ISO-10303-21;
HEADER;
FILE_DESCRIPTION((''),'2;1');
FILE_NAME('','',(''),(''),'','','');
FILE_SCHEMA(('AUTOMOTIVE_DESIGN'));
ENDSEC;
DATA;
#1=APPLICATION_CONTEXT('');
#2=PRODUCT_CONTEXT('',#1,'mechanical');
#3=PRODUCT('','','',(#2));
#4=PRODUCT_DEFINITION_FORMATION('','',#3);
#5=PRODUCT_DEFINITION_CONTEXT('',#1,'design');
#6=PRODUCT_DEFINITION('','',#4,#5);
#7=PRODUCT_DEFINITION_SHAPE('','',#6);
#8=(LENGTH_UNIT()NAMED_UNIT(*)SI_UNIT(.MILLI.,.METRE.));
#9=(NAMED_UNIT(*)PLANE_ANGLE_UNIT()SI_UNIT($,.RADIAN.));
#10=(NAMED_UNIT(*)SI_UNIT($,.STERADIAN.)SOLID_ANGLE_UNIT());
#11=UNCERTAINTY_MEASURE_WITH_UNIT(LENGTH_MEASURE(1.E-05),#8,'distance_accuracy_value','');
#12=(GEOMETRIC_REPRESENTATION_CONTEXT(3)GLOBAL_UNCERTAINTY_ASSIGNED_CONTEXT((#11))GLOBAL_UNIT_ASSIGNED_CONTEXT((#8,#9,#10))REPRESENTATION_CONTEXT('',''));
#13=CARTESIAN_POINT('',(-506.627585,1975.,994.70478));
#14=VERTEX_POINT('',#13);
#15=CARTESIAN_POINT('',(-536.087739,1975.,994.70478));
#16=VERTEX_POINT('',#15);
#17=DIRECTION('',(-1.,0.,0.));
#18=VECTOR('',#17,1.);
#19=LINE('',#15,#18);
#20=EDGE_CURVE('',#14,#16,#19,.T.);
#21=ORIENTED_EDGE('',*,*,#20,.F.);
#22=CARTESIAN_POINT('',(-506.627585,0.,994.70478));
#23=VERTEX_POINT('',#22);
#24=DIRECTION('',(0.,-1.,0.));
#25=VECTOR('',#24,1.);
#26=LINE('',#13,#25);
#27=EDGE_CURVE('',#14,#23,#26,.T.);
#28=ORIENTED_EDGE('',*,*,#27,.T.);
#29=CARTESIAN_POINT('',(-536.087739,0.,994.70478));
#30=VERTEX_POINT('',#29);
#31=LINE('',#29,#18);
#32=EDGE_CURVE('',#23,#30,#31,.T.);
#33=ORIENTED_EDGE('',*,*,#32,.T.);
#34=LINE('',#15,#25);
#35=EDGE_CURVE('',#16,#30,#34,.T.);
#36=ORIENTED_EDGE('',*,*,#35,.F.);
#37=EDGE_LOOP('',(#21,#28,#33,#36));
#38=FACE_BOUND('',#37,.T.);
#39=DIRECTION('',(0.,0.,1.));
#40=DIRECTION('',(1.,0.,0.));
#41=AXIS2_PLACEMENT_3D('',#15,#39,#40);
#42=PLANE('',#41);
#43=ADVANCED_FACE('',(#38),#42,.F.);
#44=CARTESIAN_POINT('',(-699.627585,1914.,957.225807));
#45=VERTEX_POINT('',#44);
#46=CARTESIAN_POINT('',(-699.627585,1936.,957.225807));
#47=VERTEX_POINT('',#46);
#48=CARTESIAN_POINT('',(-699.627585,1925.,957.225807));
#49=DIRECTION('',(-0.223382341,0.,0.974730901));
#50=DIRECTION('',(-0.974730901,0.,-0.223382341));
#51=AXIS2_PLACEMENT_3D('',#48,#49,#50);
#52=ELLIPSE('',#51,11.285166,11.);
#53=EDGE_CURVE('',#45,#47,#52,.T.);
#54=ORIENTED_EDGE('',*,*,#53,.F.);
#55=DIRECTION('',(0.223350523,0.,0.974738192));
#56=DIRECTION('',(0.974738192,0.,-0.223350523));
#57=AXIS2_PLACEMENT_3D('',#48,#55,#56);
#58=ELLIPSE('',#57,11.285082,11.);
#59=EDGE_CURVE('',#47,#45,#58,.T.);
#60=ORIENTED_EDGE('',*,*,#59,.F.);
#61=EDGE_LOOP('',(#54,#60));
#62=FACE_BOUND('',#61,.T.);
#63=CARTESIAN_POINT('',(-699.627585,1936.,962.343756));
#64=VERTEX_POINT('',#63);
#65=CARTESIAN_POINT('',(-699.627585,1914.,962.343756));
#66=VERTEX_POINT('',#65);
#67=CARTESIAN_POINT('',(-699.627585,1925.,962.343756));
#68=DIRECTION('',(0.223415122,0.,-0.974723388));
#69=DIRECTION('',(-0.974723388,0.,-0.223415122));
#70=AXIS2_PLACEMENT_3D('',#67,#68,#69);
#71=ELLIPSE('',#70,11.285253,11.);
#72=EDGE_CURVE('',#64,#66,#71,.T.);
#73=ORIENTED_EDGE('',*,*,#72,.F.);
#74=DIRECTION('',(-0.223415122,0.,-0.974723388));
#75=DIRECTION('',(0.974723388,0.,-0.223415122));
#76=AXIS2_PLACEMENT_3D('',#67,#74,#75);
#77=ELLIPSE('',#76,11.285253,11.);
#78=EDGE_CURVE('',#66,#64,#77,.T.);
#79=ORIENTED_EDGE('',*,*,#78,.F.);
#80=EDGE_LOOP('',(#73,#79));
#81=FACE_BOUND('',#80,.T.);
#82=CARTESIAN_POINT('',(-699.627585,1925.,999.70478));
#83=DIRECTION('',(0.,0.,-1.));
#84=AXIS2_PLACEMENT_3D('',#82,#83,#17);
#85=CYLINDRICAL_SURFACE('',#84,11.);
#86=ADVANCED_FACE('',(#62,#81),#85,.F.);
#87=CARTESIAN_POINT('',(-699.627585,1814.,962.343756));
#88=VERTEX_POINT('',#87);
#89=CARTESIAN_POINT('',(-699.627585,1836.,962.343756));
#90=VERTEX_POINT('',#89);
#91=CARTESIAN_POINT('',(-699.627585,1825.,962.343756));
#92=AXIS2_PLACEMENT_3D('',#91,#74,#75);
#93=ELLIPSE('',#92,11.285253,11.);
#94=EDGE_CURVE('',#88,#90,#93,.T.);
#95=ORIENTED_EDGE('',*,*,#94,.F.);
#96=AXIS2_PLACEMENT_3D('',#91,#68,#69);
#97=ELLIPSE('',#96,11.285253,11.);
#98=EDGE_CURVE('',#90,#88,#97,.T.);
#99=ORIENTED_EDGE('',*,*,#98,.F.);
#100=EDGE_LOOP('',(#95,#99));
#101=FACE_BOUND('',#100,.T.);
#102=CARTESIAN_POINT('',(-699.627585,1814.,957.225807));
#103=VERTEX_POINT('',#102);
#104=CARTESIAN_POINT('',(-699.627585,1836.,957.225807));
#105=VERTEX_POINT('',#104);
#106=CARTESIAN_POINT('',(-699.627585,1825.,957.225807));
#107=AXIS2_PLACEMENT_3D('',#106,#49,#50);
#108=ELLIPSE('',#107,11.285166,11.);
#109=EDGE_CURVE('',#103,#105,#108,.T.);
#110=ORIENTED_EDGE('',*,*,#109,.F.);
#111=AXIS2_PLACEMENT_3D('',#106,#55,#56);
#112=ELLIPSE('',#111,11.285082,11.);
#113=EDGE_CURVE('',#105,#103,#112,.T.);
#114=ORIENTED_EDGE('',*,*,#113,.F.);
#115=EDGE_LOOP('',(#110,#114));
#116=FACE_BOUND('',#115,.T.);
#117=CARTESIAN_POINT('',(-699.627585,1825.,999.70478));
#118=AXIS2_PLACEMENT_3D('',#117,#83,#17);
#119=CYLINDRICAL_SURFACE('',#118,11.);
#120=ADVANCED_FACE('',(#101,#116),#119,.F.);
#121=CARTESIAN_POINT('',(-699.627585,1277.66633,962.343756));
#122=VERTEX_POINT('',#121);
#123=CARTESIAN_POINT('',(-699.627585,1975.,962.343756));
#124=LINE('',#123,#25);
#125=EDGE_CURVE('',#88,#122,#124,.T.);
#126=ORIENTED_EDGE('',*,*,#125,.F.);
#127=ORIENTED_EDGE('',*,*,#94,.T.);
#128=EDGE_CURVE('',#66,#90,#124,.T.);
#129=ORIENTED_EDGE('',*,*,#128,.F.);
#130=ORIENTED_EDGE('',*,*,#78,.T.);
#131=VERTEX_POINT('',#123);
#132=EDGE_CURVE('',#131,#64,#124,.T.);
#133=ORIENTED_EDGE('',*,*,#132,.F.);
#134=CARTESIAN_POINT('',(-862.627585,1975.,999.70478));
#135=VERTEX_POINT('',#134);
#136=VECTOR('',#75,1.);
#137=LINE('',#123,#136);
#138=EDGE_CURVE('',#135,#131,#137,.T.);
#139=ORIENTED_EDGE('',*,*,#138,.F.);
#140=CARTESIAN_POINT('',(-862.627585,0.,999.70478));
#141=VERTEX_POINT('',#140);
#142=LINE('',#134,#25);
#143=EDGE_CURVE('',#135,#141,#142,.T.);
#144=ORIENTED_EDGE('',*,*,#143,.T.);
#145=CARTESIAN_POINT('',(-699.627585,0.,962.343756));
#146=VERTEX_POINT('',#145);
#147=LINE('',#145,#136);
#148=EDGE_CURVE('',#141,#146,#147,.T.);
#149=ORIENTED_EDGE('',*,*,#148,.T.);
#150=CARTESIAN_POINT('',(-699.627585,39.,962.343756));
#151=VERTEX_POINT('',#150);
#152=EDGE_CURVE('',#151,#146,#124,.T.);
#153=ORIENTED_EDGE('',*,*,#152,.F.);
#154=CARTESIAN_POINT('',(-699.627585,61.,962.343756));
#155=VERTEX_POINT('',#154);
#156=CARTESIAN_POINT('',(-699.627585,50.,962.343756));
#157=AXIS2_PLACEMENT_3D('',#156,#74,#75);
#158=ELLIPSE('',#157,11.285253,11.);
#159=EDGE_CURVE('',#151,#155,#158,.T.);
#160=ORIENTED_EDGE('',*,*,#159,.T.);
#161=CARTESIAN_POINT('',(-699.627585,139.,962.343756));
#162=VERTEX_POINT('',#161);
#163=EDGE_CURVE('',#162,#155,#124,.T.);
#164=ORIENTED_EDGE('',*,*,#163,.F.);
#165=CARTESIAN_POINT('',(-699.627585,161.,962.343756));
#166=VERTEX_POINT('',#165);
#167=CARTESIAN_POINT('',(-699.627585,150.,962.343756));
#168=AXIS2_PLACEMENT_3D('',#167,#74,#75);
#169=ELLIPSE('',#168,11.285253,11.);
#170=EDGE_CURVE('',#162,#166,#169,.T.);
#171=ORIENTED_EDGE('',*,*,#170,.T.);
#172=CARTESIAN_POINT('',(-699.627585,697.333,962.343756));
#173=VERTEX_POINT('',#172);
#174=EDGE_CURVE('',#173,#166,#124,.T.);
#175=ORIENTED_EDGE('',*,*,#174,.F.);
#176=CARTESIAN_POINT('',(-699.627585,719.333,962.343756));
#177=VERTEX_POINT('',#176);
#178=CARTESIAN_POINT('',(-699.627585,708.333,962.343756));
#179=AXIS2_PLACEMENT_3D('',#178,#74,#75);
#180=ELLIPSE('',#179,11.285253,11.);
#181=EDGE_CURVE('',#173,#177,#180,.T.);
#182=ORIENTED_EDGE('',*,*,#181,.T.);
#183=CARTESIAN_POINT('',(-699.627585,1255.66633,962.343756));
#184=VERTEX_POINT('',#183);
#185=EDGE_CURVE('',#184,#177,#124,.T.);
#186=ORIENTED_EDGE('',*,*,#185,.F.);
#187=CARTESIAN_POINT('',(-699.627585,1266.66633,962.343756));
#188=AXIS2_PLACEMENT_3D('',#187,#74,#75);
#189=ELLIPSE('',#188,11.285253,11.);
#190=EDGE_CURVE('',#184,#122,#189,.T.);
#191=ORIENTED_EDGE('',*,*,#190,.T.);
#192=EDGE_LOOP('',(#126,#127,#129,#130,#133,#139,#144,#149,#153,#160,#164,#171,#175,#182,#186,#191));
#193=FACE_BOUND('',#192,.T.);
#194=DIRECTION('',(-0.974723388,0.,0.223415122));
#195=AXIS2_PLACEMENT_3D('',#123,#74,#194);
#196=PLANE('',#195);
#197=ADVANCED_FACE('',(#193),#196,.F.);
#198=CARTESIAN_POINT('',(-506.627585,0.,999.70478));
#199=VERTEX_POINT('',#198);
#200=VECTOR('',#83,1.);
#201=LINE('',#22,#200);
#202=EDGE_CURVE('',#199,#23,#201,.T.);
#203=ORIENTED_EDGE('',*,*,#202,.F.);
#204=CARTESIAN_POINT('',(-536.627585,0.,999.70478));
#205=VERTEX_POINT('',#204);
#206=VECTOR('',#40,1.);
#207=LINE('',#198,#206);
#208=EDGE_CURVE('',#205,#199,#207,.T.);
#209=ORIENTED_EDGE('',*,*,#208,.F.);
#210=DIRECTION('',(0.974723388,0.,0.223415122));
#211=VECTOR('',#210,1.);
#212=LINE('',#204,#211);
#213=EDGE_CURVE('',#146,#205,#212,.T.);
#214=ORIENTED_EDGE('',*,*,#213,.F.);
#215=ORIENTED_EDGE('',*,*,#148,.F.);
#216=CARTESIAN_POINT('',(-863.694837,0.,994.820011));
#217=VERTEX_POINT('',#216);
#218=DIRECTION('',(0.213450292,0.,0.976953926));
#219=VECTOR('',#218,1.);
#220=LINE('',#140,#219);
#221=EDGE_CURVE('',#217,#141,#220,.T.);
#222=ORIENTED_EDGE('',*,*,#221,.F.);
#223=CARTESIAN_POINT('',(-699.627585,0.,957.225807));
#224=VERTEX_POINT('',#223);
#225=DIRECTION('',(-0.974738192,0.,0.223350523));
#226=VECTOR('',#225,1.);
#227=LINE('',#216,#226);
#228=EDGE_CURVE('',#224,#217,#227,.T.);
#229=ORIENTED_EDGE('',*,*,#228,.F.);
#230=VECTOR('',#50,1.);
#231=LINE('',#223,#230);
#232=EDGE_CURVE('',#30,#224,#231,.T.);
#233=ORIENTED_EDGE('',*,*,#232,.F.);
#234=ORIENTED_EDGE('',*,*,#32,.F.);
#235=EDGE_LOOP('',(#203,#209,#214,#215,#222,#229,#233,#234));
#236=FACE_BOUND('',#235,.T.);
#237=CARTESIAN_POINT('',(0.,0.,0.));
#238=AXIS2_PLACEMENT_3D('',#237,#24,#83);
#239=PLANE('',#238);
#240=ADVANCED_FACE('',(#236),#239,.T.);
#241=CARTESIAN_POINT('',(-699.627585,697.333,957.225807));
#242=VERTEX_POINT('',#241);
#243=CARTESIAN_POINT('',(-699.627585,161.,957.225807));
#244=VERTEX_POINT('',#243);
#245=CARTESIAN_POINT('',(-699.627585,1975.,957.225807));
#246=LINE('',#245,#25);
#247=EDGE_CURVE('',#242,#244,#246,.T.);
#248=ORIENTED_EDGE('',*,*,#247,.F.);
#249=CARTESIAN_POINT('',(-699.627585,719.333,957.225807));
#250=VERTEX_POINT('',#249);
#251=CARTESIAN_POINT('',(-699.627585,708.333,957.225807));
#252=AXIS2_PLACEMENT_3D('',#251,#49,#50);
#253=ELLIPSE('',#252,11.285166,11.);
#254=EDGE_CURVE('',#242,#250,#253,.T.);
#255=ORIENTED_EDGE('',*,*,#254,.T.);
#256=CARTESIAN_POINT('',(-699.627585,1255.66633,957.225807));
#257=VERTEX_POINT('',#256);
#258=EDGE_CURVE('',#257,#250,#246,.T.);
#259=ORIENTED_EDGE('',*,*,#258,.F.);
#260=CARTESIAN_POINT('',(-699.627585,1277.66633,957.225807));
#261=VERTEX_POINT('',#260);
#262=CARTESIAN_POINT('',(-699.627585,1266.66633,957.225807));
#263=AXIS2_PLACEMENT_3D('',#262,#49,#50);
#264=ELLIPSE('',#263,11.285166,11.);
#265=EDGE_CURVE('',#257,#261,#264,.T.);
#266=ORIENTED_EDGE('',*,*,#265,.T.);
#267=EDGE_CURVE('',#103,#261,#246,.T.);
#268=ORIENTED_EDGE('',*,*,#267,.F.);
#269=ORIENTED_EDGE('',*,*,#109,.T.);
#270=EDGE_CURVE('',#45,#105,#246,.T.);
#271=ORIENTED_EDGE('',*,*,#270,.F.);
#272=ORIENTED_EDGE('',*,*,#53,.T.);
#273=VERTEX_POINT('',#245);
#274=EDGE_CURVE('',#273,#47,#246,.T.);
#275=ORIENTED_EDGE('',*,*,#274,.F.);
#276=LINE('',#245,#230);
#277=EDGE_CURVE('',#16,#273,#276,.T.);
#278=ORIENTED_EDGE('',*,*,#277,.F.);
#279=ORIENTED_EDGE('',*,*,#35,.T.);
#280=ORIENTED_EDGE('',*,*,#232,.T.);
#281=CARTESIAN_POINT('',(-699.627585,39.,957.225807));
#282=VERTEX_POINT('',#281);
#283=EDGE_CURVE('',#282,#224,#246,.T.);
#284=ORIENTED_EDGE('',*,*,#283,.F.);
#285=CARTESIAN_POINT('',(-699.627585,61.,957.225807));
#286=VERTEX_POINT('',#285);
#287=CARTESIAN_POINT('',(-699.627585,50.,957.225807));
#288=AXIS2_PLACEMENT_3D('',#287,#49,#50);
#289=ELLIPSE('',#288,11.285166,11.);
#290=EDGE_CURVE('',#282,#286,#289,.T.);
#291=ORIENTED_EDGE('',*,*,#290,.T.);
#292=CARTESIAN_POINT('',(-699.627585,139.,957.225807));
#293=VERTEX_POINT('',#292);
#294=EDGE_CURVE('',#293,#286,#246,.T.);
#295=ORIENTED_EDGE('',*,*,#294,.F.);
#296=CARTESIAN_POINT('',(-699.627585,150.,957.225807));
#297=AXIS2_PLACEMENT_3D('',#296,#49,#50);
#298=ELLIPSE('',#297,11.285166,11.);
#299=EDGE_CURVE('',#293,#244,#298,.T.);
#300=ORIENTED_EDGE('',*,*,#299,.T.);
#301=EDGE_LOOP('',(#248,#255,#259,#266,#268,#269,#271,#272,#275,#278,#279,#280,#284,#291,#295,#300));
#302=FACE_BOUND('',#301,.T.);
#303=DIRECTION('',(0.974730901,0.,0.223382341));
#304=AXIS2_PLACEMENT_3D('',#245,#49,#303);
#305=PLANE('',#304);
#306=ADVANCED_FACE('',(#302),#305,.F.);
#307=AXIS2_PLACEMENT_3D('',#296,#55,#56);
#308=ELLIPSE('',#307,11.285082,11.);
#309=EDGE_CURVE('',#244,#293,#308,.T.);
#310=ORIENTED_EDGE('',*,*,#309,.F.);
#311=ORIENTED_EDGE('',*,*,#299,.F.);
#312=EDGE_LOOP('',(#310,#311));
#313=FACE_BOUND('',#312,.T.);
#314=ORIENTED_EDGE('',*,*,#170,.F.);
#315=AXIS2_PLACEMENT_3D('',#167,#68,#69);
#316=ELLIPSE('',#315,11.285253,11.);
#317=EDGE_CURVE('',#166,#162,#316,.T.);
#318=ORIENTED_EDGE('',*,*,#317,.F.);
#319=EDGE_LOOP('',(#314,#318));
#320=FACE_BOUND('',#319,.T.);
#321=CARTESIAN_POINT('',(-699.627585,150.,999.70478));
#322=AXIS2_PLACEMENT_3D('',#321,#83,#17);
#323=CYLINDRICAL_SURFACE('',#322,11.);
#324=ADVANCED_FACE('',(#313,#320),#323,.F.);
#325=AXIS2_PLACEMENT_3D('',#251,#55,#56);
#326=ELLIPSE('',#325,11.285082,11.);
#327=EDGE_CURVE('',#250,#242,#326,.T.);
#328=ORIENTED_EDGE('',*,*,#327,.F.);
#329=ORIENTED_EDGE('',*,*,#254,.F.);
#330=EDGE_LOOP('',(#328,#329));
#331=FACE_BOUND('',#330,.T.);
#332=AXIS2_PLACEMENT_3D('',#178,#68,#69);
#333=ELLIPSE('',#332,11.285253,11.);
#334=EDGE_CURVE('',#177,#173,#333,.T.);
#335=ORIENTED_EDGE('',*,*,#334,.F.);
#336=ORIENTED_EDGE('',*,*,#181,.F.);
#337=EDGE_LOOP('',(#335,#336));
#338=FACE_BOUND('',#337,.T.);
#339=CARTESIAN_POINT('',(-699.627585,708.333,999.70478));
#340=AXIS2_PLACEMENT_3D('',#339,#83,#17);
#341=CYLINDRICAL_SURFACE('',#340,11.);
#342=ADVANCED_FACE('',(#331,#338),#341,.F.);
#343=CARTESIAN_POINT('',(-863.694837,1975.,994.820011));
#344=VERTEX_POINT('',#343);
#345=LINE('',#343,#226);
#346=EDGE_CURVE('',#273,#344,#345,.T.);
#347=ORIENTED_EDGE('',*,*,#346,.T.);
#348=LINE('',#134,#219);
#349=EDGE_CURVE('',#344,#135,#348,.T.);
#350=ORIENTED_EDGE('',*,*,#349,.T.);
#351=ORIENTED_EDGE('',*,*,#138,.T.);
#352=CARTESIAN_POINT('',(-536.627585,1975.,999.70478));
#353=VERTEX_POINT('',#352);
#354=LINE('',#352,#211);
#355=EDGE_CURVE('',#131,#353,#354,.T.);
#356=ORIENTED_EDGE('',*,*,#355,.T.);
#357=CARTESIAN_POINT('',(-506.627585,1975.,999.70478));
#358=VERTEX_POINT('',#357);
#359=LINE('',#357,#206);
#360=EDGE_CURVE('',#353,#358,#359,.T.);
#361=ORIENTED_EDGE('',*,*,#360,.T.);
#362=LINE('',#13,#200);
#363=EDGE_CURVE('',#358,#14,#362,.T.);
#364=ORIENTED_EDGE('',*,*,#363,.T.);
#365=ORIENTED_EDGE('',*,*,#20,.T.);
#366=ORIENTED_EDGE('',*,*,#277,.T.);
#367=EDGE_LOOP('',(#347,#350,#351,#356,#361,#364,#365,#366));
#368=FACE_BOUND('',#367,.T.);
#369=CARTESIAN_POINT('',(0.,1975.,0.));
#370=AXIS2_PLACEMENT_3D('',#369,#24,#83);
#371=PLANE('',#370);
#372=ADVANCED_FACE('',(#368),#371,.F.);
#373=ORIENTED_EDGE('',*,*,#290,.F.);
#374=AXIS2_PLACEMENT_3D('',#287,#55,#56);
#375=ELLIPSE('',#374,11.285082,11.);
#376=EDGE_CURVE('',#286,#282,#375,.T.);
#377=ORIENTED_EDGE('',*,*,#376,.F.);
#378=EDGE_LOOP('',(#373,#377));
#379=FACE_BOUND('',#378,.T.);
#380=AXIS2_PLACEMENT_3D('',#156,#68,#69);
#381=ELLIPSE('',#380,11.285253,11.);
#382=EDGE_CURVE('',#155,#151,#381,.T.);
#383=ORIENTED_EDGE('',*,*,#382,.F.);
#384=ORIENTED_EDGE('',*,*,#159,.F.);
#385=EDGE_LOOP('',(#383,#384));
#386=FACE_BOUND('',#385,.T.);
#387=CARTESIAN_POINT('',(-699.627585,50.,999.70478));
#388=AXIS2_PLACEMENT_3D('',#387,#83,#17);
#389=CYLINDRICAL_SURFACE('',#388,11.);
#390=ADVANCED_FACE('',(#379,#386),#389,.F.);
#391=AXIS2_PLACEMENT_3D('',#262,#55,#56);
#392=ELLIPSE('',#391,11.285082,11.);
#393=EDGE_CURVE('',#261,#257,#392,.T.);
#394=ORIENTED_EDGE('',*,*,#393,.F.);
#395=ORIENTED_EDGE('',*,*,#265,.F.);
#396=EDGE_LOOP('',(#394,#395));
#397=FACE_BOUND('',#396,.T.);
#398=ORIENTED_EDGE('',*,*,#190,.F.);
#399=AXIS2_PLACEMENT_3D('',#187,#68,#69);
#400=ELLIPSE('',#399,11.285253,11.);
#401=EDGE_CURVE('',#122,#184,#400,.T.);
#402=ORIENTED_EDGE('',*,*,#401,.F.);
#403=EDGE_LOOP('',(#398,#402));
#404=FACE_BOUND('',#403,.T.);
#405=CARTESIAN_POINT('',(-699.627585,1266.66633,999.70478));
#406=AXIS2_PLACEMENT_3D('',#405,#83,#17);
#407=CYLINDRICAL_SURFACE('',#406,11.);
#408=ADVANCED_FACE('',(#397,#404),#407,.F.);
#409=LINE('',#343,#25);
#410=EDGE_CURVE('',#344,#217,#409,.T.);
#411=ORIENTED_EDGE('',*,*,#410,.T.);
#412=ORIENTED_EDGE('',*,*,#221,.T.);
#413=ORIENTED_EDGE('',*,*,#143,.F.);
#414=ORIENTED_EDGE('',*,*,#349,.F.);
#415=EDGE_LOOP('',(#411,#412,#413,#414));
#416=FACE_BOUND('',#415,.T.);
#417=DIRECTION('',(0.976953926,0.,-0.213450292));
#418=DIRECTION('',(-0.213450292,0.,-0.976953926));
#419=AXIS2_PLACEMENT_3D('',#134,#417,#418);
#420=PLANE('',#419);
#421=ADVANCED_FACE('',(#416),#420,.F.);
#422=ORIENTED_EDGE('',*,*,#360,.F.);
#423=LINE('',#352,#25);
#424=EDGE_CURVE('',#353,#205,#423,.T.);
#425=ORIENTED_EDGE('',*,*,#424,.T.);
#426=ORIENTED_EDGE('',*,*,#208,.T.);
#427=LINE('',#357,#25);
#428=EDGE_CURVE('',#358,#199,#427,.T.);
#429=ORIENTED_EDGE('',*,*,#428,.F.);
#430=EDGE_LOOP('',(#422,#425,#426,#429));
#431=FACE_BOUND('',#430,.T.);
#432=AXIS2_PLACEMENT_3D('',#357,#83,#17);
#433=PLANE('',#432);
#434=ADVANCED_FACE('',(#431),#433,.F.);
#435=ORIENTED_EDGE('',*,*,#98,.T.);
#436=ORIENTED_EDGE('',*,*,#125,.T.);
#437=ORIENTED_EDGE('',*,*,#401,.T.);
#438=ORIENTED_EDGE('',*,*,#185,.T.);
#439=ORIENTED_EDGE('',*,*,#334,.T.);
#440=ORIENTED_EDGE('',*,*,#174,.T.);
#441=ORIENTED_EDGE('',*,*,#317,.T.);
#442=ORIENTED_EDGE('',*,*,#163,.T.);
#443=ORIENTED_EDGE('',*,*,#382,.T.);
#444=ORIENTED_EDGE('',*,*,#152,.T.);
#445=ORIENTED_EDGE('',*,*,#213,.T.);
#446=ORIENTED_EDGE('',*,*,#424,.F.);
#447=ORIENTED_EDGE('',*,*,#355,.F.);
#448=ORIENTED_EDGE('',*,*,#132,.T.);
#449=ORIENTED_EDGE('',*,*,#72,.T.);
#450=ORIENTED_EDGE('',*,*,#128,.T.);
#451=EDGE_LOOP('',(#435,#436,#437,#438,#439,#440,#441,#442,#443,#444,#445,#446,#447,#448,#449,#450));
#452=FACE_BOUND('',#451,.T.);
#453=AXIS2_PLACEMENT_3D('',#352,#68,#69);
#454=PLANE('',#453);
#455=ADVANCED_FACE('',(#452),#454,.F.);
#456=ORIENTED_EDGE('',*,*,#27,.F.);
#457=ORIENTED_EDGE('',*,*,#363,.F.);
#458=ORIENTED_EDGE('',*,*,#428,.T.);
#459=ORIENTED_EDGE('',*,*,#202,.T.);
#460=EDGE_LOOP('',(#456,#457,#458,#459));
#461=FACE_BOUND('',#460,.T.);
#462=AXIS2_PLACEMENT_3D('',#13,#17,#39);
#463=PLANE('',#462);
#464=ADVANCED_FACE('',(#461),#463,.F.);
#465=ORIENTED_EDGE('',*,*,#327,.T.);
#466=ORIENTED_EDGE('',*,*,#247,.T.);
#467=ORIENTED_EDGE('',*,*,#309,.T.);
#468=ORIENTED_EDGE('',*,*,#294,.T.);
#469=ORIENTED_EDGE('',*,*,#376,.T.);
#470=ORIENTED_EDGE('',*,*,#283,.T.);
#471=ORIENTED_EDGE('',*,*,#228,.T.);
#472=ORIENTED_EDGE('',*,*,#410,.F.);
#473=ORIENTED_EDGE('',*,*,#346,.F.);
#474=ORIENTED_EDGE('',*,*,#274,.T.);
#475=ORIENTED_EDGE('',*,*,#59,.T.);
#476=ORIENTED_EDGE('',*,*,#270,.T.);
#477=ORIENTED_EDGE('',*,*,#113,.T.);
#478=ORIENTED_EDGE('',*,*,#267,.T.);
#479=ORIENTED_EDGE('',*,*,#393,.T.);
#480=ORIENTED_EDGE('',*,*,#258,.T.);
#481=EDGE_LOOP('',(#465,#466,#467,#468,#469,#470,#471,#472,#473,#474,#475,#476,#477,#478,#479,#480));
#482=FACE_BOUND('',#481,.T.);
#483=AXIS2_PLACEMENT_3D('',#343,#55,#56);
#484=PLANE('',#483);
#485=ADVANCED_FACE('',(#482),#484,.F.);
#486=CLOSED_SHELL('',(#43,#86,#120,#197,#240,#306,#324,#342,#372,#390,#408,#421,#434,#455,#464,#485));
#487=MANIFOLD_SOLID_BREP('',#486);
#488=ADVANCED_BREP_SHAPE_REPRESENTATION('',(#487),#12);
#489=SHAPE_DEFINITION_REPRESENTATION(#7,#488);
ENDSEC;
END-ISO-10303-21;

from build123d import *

# Parameters (mm, degrees)
BOSS_EXTRUDE1_DEPTH     = 1975
CUT_EXTRUDE1_DEPTH      = 2156.921715736
CUT_EXTRUDE1_DEPTH_BACK = 2156.921715736
SKETCH2_R               = 11


with BuildPart() as part:
    # Sketch1 → Boss-Extrude1 (new body)
    with BuildSketch(Plane(origin=(0, 0, 0), x_dir=(1, 0, 0), z_dir=(0, 1, 0))):
        Polygon((-506.627585227, -999.704780497), (-536.627585227, -999.704780497), (-699.627585227, -962.343755534), (-862.627585227, -999.704780497), (-863.694836689, -994.820010869), (-699.627585227, -957.225806909), (-536.087738826, -994.704780497), (-506.627585227, -994.704780497), align=None)
    extrude(amount=BOSS_EXTRUDE1_DEPTH)

    # Sketch2 → Cut-Extrude1 (cut, two sides: drawn at the far end of the back side and taken through both)
    with BuildSketch(Plane(origin=(0, 0, 994.704780497), x_dir=(-1, 0, 0), z_dir=(0, 0, -1)).offset(-CUT_EXTRUDE1_DEPTH_BACK)):
        with Locations(Location((699.627585227, 1925, 0), (0, 0, 90))):
            Circle(SKETCH2_R)
        with Locations(Location((699.627585227, 1825, 0), (0, 0, 90))):
            Circle(SKETCH2_R)
        with Locations(Location((699.627585227, 50, 0), (0, 0, 270))):
            Circle(SKETCH2_R)
        with Locations(Location((699.627585227, 150, 0), (0, 0, 90))):
            Circle(SKETCH2_R)
        with Locations(Location((699.627585227, 708.333, 0), (0, 0, 90))):
            Circle(SKETCH2_R)
        with Locations(Location((699.627585227, 1266.66633, 0), (0, 0, 90))):
            Circle(SKETCH2_R)
    extrude(amount=CUT_EXTRUDE1_DEPTH + CUT_EXTRUDE1_DEPTH_BACK, mode=Mode.SUBTRACT)


solid = part.part
